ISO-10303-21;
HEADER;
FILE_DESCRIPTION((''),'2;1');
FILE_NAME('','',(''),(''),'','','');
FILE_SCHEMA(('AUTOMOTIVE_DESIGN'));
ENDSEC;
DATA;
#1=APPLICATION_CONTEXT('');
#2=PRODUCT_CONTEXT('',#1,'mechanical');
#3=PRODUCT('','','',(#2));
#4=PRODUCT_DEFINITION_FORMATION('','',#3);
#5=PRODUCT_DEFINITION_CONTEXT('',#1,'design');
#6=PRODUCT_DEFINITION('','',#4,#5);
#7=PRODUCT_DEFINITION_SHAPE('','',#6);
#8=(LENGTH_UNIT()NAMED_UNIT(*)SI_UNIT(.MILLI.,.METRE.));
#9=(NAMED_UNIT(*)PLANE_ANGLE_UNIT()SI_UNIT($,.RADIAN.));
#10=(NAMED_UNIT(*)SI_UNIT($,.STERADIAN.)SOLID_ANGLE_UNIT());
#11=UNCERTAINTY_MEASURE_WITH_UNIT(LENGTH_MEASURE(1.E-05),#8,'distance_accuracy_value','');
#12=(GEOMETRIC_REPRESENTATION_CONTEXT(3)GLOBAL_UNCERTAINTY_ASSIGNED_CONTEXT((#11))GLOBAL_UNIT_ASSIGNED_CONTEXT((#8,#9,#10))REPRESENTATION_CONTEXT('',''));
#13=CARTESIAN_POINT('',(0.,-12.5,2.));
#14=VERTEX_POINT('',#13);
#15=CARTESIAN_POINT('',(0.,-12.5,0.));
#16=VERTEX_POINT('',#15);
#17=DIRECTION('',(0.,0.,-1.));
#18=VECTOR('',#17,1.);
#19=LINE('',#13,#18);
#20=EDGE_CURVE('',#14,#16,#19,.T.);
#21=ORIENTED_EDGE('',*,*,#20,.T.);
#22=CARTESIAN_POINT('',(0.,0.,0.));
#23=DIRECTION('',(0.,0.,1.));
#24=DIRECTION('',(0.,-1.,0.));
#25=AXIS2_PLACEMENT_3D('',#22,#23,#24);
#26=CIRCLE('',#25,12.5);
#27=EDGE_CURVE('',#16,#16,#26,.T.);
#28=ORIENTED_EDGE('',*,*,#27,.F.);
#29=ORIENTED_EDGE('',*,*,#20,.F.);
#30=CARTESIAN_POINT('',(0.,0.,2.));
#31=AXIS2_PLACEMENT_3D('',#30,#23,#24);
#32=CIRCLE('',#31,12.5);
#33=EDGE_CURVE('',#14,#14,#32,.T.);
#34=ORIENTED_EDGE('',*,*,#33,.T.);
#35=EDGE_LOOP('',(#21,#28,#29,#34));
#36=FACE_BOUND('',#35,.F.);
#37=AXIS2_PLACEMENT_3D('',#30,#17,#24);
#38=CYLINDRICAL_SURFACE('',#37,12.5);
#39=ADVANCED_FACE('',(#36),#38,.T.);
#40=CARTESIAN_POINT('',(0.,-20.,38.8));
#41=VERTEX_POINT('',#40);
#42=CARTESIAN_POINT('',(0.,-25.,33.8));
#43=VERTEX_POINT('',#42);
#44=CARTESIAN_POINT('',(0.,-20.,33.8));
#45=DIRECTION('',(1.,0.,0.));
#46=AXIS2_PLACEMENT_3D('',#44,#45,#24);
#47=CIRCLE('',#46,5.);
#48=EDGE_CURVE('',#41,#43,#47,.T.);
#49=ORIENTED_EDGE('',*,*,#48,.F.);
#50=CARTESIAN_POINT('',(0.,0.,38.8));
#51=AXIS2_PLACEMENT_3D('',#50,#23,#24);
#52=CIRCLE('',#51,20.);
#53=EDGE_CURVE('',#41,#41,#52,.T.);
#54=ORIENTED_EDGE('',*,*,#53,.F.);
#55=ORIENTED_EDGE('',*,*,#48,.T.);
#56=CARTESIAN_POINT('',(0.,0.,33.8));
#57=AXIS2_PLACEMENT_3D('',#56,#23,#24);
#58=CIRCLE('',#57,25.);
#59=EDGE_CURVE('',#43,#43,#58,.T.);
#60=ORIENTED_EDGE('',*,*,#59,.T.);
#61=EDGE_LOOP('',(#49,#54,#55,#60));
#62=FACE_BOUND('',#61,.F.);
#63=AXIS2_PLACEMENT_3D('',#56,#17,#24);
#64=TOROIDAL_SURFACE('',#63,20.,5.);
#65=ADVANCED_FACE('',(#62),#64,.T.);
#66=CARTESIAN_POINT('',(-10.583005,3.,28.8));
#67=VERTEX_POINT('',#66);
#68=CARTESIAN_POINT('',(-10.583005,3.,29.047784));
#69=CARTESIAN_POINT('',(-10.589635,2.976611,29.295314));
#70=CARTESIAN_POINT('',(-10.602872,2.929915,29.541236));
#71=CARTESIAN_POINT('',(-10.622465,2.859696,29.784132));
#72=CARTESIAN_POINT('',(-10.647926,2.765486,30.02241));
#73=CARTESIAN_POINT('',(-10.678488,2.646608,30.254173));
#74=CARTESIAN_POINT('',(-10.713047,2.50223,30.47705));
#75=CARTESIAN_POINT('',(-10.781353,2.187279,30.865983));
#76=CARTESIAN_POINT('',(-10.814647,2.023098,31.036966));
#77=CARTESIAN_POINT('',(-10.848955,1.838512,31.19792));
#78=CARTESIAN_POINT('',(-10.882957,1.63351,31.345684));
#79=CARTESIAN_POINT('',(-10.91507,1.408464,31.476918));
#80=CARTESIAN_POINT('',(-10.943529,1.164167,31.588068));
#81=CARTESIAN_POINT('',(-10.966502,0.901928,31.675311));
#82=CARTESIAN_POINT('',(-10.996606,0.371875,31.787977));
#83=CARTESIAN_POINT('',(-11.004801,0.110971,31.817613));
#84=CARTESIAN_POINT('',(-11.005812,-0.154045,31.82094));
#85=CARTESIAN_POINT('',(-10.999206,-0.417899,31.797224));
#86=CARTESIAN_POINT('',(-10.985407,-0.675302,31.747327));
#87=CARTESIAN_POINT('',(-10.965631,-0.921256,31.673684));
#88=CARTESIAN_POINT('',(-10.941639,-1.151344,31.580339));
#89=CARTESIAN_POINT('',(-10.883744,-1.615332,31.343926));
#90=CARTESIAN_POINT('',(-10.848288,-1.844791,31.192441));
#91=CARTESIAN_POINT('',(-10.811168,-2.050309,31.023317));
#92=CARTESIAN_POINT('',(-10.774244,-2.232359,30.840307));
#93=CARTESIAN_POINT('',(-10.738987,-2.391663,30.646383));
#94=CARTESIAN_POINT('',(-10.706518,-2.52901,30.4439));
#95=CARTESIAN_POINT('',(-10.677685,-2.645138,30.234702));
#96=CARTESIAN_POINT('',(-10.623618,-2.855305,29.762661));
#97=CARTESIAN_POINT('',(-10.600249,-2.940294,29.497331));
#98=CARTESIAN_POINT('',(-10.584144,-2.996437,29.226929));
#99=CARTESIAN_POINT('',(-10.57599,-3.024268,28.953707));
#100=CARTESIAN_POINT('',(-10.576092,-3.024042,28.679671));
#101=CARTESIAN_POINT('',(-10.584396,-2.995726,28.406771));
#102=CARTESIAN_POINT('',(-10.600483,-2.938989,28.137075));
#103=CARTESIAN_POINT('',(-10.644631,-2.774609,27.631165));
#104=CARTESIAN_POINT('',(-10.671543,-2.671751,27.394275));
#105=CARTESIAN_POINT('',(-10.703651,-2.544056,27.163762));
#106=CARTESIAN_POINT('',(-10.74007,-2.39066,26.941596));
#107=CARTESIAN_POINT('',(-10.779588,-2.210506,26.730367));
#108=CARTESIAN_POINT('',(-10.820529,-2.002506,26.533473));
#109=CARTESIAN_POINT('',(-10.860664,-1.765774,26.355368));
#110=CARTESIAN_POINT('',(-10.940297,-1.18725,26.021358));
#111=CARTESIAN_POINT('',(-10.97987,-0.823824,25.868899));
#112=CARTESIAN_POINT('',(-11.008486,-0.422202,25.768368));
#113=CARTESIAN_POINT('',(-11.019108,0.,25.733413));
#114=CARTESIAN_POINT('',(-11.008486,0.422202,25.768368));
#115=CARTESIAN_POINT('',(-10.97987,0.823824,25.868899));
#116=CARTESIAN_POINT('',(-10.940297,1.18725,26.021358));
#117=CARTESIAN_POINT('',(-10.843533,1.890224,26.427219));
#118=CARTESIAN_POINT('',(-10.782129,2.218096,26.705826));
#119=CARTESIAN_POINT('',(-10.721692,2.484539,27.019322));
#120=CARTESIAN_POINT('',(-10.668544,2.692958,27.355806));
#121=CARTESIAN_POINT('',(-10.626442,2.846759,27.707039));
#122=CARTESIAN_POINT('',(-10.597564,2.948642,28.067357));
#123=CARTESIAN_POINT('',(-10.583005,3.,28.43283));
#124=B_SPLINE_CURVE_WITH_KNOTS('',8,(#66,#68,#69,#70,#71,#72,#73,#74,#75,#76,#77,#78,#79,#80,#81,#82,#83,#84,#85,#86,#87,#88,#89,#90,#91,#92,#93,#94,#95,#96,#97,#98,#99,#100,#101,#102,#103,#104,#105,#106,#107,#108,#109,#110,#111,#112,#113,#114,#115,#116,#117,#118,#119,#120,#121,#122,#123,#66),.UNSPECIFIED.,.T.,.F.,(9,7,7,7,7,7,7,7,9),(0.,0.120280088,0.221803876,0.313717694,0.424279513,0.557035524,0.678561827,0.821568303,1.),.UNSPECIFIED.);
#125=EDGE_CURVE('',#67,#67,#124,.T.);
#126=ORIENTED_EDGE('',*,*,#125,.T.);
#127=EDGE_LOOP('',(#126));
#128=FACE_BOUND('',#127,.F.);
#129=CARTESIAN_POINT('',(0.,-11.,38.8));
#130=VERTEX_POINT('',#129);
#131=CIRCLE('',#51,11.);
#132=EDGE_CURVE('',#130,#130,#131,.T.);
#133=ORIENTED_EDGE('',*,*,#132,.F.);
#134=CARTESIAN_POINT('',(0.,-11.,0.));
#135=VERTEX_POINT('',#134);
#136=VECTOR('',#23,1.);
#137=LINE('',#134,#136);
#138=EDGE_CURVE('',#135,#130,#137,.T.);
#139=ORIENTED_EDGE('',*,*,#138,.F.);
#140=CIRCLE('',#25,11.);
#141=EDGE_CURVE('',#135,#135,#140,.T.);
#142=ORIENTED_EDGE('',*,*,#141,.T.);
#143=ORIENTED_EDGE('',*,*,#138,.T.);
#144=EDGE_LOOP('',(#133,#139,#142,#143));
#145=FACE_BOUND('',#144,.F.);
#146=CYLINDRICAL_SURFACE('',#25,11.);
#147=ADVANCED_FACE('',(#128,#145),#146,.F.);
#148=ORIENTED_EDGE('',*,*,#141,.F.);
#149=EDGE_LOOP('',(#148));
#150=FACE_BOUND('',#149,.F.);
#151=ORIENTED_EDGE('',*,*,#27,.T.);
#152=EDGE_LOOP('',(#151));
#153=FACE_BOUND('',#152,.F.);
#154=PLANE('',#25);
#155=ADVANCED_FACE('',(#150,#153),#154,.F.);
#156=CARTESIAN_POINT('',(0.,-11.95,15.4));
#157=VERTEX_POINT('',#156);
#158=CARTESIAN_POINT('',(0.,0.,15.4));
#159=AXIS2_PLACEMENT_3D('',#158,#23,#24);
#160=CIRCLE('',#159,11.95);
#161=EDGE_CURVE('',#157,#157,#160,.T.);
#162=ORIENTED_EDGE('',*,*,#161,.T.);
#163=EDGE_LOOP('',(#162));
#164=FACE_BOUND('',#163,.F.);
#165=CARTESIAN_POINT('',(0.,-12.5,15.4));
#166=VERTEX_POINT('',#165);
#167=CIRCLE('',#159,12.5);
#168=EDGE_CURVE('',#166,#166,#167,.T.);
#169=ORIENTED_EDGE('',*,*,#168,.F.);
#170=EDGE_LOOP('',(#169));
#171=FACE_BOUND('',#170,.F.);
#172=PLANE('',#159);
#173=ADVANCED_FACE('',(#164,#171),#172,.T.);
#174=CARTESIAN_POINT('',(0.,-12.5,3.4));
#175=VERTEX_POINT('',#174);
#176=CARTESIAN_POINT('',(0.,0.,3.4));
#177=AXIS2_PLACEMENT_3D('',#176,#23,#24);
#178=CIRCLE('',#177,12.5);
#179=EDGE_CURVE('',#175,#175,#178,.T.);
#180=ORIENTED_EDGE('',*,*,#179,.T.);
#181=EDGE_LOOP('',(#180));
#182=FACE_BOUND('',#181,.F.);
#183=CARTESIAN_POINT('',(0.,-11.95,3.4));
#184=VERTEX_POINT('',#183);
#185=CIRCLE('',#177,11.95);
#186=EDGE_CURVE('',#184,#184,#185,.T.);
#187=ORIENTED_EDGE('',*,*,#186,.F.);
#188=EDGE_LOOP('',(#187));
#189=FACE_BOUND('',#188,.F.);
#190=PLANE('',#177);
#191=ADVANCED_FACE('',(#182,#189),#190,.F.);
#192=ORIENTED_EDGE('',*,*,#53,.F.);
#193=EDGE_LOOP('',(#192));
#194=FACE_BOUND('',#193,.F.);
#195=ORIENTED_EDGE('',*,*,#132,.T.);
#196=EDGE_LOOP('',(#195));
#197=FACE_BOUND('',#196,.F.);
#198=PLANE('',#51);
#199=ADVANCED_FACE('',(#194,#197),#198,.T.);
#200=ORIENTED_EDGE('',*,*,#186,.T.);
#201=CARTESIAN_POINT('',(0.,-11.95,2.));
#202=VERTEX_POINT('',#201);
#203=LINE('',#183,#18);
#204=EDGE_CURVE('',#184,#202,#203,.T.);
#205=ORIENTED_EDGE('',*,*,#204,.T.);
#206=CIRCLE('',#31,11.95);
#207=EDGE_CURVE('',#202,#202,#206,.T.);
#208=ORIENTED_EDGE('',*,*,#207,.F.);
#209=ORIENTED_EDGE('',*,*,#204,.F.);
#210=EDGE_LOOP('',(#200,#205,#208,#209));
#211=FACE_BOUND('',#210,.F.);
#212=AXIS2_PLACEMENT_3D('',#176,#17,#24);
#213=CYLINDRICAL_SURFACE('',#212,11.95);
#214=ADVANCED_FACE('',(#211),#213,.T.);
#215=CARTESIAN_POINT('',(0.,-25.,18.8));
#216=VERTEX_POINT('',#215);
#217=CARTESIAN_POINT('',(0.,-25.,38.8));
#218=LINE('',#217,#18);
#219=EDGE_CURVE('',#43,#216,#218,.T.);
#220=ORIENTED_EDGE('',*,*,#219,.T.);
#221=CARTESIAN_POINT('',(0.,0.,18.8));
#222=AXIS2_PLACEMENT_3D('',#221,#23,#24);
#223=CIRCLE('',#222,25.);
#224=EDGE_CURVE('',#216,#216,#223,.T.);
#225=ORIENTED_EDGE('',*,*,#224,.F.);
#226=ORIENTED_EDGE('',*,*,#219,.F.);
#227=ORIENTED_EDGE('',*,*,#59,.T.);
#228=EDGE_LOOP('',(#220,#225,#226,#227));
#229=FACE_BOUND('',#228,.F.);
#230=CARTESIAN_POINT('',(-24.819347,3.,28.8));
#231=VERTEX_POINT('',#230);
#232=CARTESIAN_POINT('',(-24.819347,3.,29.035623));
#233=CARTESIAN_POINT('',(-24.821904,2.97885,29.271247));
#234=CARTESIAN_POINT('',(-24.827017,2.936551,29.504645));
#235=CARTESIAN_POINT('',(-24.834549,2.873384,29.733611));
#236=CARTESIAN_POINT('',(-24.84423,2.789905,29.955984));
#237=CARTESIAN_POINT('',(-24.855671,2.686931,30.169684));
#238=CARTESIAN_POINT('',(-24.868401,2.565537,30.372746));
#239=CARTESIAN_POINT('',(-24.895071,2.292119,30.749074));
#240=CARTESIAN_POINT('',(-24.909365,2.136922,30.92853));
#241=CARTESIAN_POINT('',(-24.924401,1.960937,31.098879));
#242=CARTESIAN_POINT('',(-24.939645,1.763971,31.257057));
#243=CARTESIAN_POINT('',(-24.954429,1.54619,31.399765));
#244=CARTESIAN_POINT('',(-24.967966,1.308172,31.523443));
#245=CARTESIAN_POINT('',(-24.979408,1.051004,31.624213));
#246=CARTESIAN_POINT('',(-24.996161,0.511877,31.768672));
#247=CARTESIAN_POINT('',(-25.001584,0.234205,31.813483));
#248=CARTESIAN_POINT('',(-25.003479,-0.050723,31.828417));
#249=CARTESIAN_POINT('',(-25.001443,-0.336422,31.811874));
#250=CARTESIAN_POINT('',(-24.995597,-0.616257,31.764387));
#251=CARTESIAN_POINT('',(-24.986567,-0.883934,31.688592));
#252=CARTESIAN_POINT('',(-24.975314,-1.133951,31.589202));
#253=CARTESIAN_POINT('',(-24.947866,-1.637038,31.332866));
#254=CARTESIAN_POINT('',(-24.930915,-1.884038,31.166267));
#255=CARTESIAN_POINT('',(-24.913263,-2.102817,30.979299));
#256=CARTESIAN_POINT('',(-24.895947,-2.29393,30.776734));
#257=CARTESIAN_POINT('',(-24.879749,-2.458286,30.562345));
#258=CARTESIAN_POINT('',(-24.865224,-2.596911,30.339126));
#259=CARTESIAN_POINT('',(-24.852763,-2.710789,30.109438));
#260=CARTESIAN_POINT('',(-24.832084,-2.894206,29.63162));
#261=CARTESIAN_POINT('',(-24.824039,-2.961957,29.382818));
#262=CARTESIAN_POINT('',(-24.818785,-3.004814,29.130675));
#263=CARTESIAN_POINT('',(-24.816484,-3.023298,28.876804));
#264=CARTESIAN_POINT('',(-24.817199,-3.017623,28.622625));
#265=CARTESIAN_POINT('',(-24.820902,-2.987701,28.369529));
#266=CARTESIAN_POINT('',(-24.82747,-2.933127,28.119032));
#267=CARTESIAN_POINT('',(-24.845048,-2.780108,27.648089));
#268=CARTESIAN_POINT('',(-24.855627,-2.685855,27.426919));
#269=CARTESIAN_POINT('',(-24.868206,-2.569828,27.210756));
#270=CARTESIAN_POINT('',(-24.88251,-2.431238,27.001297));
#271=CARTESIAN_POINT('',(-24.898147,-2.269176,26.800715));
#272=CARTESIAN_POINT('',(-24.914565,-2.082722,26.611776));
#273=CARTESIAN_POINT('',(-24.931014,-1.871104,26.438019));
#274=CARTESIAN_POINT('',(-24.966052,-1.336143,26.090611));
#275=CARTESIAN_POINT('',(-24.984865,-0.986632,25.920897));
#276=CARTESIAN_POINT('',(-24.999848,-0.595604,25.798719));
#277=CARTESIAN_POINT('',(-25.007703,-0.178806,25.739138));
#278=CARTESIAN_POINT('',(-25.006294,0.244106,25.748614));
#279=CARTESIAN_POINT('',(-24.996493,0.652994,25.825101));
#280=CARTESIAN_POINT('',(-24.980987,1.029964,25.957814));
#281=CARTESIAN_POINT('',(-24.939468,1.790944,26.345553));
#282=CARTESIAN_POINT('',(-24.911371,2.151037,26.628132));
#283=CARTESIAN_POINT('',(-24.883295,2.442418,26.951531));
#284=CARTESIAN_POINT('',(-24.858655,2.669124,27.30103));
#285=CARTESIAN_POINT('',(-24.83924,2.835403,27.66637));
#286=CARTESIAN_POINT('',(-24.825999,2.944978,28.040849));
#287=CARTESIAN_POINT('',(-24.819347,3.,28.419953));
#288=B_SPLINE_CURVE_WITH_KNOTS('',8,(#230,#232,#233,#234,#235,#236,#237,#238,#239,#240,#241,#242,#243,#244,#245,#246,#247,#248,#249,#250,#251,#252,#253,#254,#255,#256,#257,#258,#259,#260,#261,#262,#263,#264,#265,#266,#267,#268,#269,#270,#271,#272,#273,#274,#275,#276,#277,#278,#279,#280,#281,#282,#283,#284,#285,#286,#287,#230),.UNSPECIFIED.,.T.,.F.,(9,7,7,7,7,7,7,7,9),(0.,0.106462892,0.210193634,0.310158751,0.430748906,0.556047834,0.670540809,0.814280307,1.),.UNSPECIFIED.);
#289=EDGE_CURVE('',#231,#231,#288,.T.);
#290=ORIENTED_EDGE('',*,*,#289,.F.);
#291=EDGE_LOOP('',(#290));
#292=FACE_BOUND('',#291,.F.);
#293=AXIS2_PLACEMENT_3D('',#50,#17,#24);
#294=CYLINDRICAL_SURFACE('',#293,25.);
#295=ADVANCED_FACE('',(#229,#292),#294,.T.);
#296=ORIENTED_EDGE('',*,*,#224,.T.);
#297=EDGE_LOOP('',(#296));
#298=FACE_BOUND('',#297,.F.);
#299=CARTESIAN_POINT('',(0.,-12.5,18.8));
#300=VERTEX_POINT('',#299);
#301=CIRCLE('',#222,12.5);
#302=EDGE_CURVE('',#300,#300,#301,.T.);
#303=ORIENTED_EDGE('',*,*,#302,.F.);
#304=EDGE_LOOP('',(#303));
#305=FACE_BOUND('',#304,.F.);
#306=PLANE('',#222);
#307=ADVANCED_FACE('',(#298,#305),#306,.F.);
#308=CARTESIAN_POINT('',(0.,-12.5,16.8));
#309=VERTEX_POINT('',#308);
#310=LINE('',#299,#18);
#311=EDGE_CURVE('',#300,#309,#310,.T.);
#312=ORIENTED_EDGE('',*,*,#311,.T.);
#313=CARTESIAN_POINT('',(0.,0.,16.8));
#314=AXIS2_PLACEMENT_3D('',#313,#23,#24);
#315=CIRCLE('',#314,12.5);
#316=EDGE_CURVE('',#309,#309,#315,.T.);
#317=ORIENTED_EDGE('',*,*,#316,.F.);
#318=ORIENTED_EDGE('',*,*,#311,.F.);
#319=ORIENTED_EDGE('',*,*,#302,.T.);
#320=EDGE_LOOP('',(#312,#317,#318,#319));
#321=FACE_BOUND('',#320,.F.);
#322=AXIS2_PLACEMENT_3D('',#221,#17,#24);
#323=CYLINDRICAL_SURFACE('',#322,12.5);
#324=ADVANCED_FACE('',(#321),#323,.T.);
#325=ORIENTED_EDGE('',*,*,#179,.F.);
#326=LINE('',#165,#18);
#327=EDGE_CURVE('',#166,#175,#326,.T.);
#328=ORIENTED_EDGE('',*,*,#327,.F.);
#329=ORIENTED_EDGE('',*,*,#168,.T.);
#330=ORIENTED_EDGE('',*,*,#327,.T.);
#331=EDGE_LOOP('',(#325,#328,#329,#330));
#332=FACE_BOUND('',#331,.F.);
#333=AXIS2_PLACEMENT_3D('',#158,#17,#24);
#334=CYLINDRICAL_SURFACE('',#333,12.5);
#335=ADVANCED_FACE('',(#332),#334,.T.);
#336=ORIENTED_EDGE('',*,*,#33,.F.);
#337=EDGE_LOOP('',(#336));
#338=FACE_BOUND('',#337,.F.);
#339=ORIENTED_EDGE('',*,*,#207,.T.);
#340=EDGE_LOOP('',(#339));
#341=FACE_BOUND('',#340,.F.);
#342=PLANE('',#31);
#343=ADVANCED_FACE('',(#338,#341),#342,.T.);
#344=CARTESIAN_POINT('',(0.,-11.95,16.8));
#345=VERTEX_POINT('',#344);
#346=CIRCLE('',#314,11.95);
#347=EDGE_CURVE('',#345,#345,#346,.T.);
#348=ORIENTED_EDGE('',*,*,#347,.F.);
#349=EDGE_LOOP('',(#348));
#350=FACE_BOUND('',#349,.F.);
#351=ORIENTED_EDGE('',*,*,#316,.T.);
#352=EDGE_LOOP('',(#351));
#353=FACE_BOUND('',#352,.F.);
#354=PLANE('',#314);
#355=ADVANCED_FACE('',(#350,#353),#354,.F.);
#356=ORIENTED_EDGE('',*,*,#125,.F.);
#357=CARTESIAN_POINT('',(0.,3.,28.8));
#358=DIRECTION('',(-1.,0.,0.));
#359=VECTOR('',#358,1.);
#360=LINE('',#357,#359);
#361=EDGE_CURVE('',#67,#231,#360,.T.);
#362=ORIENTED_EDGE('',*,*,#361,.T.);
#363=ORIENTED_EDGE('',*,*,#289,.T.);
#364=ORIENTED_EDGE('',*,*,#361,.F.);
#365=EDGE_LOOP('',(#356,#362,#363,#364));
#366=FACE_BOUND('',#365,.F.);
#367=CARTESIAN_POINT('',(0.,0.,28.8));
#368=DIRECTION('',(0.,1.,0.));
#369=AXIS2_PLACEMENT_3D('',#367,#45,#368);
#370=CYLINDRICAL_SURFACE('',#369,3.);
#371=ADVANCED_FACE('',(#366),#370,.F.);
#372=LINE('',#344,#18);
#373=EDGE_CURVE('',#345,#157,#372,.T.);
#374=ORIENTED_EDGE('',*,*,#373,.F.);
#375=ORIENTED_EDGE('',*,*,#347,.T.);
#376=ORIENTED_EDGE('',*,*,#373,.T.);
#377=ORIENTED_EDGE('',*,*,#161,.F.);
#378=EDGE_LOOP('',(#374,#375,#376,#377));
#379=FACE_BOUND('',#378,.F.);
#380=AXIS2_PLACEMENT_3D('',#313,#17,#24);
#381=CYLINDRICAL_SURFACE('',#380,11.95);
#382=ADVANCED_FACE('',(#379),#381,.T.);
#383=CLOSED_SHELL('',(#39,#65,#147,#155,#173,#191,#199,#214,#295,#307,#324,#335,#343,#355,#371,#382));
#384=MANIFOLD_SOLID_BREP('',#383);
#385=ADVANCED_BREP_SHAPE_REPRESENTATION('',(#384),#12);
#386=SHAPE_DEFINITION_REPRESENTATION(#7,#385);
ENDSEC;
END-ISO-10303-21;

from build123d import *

# Parameters (mm, degrees)
F2_R     = 5
F4_D     = 6
F4_DEPTH = 25.001


with BuildPart() as f1:
    # F0 (on Right) → F1 (revolve)
    with BuildSketch(Plane.YZ):
        Polygon((-12.5, 0), (-11, 0), (-11, 38.8), (-25, 38.8), (-25, 18.8), (-12.5, 18.8), (-12.5, 16.8), (-11.95, 16.8), (-11.95, 15.4), (-12.5, 15.4), (-12.5, 3.4), (-11.95, 3.4), (-11.95, 2), (-12.5, 2), align=None)
    revolve(axis=Axis((0, 0, 19.5372104645), (0, 0, 1)))

    # F2
    f2_edges = [f1.edges().sort_by_distance(p)[0] for p in [
        (0, 25, 38.8),
    ]]
    fillet(f2_edges, radius=F2_R)

    # F4 (through all, one way)
    with BuildSketch(Plane.YZ):
        with Locations((0, 28.8)):
            Circle(F4_D / 2)
    extrude(amount=-F4_DEPTH, mode=Mode.SUBTRACT)


solid = f1.part
